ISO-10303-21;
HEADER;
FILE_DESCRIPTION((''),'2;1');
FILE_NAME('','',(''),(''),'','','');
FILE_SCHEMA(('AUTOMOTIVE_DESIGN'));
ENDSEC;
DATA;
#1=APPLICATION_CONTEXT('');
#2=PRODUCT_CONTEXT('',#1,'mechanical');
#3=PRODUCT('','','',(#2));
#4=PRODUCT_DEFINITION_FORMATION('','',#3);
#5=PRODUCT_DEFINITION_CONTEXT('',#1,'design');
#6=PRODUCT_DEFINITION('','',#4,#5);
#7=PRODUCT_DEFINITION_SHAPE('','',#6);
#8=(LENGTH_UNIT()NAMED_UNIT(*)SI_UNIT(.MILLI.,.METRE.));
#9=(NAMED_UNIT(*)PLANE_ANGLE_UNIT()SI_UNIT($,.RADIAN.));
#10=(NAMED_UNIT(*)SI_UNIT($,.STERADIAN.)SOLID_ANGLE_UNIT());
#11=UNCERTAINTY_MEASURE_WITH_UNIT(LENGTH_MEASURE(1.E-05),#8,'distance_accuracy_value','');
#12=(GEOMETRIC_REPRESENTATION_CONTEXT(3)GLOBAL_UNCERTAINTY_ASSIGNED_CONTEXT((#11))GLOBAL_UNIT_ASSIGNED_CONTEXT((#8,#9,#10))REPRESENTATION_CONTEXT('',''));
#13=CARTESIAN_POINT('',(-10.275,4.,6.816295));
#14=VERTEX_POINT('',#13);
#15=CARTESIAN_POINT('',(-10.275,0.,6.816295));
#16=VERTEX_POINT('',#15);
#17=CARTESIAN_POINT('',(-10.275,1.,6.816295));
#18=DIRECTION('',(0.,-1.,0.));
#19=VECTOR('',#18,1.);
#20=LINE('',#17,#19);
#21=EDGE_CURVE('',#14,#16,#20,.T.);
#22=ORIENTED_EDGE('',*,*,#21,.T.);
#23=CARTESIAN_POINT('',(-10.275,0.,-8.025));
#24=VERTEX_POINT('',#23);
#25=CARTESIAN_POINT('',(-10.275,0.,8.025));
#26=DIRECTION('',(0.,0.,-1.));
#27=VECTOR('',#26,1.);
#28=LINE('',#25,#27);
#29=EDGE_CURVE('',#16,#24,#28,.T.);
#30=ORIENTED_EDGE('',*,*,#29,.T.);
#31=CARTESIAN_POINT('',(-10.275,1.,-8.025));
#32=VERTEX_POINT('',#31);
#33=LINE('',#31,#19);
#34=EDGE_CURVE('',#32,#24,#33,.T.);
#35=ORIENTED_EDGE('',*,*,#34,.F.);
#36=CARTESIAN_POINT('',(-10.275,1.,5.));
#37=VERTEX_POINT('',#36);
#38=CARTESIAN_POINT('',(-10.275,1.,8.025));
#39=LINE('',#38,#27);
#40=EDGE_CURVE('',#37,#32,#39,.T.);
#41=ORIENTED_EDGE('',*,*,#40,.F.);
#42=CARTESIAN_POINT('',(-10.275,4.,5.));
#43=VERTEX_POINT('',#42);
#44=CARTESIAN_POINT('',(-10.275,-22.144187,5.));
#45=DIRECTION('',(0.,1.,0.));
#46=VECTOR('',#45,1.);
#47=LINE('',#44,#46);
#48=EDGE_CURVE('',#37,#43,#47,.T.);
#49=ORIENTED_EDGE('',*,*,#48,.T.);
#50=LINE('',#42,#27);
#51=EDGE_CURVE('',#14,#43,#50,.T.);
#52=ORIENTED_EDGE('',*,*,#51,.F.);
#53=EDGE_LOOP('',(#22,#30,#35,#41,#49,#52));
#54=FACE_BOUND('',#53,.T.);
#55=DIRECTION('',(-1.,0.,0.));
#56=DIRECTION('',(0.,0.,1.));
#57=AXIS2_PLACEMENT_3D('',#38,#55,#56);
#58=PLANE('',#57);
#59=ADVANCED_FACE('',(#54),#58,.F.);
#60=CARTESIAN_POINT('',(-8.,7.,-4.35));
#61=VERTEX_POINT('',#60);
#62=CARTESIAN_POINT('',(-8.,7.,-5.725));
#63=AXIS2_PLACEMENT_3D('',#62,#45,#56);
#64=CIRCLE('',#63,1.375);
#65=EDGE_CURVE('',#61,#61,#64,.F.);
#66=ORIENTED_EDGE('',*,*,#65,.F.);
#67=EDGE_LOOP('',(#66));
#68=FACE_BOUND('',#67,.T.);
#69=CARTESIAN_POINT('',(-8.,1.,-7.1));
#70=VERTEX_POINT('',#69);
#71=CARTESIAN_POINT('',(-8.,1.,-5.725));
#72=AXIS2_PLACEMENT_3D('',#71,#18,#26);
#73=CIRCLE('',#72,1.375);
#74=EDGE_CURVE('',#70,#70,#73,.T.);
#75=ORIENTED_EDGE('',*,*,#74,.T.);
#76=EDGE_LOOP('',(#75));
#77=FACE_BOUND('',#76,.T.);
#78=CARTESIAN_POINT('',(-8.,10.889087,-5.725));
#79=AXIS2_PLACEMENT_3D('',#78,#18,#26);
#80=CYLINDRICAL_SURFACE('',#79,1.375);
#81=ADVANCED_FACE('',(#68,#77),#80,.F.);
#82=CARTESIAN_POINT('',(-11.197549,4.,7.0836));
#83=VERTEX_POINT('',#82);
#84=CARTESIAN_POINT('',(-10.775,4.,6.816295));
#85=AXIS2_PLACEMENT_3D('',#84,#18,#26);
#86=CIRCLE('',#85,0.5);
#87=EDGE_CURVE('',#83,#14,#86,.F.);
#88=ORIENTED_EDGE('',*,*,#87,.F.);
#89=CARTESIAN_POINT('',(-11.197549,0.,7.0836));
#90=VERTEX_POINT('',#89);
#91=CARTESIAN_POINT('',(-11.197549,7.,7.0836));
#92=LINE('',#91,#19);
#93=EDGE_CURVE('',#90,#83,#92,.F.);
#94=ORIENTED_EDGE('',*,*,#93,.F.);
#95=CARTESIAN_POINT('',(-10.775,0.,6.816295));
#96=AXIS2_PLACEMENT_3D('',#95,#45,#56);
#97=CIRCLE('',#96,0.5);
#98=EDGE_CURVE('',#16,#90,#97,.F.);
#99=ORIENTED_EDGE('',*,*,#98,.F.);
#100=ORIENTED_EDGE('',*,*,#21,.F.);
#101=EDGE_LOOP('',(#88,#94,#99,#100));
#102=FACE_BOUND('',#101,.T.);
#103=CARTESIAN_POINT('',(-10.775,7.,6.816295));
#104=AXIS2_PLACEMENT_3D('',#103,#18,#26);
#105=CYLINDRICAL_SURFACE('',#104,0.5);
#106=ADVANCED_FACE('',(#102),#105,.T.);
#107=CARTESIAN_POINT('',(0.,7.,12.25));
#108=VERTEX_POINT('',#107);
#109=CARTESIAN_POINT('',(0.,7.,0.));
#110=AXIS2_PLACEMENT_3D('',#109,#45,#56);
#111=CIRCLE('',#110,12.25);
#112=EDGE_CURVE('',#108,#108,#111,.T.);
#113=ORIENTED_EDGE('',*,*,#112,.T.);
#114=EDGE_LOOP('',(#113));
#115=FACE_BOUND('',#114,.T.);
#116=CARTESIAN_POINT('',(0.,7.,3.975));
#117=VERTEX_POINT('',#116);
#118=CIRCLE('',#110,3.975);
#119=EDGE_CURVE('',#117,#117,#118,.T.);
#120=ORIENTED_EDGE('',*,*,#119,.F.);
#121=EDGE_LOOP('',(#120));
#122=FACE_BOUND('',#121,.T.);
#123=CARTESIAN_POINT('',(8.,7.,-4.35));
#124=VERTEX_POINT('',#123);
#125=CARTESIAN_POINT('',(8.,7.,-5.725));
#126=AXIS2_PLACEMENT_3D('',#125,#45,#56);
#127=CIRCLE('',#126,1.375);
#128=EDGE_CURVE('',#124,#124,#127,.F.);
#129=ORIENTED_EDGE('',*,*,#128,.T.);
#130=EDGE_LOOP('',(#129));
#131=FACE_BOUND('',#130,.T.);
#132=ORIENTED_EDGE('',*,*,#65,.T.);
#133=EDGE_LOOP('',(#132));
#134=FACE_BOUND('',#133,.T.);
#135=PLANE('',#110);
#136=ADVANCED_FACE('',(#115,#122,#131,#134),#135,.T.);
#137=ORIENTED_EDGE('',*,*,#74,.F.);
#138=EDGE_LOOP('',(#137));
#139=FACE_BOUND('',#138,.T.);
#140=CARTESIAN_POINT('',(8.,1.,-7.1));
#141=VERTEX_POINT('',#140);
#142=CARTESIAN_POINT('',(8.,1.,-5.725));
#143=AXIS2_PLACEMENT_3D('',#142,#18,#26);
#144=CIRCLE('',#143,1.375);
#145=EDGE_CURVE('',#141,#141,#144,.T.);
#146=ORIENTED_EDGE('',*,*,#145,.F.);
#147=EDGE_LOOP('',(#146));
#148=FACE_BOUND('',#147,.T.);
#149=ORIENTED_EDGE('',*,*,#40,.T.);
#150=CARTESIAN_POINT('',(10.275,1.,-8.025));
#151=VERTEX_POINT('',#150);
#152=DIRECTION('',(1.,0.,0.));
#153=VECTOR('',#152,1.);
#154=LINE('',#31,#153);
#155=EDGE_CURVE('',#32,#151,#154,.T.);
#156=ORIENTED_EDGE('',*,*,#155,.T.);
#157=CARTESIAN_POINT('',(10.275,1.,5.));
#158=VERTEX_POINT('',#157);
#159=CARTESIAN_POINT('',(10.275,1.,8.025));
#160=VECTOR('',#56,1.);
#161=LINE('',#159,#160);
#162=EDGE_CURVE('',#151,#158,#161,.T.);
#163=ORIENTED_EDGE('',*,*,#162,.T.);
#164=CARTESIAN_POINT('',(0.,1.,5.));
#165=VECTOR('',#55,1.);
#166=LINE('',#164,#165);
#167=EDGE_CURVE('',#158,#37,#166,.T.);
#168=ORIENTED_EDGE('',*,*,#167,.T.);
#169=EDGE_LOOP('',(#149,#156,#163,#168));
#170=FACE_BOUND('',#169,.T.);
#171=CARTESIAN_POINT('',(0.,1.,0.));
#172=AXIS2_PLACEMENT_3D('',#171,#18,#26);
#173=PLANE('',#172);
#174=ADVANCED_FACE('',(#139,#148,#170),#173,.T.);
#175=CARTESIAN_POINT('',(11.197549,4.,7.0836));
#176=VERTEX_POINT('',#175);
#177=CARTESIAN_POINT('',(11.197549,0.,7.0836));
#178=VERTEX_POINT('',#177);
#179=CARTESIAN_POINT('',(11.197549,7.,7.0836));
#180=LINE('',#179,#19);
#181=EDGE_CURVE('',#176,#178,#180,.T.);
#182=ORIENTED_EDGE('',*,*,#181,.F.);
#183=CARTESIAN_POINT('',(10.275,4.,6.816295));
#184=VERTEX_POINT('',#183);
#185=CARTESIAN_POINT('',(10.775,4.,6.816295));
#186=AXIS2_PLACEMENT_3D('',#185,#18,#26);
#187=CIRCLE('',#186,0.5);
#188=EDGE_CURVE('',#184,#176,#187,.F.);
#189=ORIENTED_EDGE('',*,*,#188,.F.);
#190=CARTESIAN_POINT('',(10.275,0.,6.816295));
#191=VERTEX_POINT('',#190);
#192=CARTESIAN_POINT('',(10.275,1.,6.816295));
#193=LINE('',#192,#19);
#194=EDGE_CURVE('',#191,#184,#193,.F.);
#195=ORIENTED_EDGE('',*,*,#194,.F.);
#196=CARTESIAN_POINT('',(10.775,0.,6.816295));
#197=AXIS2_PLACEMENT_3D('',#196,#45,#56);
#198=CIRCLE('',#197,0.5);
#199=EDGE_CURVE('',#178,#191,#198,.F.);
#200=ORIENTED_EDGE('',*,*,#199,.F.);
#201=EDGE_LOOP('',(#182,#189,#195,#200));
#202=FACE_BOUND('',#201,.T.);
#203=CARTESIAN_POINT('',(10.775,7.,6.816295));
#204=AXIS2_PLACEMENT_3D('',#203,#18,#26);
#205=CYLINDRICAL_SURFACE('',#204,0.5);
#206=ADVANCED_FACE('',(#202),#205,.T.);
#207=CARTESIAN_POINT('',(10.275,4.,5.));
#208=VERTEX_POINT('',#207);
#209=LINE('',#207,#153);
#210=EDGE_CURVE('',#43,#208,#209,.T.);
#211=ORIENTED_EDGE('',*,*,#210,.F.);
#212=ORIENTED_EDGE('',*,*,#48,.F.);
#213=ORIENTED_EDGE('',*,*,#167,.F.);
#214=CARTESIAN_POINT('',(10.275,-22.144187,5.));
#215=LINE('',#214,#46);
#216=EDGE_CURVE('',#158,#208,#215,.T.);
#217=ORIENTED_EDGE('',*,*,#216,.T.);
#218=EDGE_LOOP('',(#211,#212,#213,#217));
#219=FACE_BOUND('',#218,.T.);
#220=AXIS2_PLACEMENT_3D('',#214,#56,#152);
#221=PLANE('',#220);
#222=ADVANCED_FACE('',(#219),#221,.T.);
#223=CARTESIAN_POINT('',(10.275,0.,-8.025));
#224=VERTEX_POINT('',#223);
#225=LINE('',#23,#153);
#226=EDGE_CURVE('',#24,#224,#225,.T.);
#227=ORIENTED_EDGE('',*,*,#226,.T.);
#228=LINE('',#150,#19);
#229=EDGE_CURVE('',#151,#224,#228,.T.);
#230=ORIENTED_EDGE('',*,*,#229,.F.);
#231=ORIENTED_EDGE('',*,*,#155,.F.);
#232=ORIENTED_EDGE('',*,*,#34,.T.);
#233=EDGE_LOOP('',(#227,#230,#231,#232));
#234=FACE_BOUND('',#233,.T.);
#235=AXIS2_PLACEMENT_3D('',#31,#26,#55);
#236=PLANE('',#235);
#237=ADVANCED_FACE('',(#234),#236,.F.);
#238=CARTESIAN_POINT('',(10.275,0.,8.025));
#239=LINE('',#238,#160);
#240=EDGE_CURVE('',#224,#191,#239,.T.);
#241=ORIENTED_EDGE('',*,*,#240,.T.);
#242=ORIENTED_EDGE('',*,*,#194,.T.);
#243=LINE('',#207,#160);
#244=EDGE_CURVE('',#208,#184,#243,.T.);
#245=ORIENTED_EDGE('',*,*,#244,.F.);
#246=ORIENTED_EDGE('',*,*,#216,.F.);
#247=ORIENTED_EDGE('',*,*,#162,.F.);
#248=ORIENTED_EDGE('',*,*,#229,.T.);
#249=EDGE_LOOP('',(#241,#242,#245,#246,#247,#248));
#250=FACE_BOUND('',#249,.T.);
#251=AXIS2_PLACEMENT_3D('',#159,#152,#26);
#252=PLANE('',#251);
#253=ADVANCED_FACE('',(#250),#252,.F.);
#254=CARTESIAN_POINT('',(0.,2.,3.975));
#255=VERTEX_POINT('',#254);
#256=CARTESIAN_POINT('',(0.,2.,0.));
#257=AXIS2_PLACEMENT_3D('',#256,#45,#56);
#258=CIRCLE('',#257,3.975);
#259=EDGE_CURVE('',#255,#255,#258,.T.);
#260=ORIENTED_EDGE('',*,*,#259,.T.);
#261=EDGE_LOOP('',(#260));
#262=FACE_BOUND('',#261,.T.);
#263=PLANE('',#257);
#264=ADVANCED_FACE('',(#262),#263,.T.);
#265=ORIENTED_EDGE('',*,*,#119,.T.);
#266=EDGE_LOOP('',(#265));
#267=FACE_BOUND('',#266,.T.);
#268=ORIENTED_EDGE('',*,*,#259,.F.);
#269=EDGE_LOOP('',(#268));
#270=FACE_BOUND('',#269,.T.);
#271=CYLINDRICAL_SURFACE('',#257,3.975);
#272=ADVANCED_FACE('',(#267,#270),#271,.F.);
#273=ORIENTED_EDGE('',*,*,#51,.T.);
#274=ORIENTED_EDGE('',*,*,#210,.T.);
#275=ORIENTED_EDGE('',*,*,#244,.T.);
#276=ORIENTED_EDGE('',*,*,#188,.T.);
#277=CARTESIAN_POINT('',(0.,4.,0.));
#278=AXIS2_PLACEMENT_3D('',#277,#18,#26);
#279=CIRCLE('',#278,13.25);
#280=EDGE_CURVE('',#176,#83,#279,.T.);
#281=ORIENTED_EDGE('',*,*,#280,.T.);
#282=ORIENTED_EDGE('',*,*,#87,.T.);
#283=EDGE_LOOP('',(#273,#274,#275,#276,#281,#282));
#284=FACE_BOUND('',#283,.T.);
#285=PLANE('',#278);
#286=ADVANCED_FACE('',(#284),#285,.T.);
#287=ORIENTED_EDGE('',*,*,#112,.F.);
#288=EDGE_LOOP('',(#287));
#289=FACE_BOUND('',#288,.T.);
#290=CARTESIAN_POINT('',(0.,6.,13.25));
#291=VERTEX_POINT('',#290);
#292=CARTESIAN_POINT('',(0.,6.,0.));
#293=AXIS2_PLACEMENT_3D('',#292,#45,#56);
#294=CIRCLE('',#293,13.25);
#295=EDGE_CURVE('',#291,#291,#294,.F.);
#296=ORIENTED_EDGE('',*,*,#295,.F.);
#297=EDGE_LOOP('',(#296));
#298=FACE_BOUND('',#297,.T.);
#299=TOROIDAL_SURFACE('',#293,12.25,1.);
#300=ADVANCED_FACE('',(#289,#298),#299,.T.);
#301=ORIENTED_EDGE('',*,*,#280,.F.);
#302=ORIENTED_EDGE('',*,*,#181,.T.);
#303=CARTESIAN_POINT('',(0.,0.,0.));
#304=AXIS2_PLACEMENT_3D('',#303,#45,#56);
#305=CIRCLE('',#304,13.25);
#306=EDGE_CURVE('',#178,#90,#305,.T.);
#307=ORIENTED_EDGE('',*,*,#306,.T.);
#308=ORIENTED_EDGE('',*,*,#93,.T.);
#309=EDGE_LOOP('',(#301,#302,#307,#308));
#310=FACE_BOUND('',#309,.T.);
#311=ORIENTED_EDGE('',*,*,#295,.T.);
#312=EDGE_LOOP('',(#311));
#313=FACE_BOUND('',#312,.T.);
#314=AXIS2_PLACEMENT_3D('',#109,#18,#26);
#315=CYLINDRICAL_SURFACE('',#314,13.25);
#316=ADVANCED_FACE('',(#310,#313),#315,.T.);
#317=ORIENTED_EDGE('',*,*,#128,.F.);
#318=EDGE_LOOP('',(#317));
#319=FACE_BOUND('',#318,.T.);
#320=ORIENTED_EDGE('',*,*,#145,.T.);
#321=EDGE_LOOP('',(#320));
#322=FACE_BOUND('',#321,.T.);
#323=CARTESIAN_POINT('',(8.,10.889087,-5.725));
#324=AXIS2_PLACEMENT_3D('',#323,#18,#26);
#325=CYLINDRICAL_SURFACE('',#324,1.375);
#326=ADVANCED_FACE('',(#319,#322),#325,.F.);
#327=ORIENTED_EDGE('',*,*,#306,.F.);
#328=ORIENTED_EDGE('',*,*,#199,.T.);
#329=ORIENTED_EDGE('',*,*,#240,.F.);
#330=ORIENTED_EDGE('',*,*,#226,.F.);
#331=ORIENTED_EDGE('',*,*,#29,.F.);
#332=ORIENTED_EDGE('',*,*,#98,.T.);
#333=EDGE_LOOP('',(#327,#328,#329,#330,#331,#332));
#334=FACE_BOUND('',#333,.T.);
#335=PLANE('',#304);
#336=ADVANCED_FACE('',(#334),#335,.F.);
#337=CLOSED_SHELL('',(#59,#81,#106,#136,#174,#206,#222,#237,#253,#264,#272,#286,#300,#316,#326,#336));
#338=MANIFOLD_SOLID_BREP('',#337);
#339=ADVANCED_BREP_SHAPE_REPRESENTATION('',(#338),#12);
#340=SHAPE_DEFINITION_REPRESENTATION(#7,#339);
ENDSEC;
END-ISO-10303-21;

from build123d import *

# Parameters (mm, degrees)
SKETCH2_R               = 13.25
BOSS_EXTRUDE1_DEPTH     = 7
SKETCH3_R               = 3.975
CUT_EXTRUDE1_DEPTH      = 5
SKETCH4_W               = 20.55
SKETCH4_H               = 16.05
CUT_EXTRUDE2_DEPTH      = 1
SKETCH5_R               = 1.375
CUT_EXTRUDE3_DEPTH      = 6
FILLET1_R               = 1
CUT_EXTRUDE5_DEPTH      = 1
CUT_EXTRUDE5_DEPTH_BACK = 3
SKETCH6_W               = 20.55
SKETCH6_H               = 8.25
FILLET2_R               = 0.5


with BuildPart() as part:
    # Sketch2 → Boss-Extrude1 (new body)
    with BuildSketch(Plane(origin=(0, 0, 0), x_dir=(1, 0, 0), z_dir=(0, 1, 0))):
        with Locations(Location((0, 0, 0), (0, 0, 270))):
            Circle(SKETCH2_R)
    extrude(amount=BOSS_EXTRUDE1_DEPTH)

    # Sketch3 → Cut-Extrude1 (cut)
    with BuildSketch(Plane(origin=(0, 7, 0), x_dir=(1, 0, 0), z_dir=(0, 1, 0))):
        with Locations(Location((0, 0, 0), (0, 0, 270))):
            Circle(SKETCH3_R)
    extrude(amount=-CUT_EXTRUDE1_DEPTH, mode=Mode.SUBTRACT)

    # Sketch4 → Cut-Extrude2 (cut)
    with BuildSketch(Plane.XZ):
        Rectangle(SKETCH4_W, SKETCH4_H)
    extrude(amount=-CUT_EXTRUDE2_DEPTH, mode=Mode.SUBTRACT)

    # Sketch5 → Cut-Extrude3 (cut)
    with BuildSketch(Plane.XZ.offset(-1)):
        with Locations(Location((-8, -5.725, 0), (0, 0, 270))):
            Circle(SKETCH5_R)
        with Locations(Location((8, -5.725, 0), (0, 0, 270))):
            Circle(SKETCH5_R)
    extrude(amount=-CUT_EXTRUDE3_DEPTH, mode=Mode.SUBTRACT)

    # Fillet1
    fillet1_edges = [part.edges().sort_by_distance(p)[0] for p in [
        (0, 7, -13.25),
    ]]
    fillet(fillet1_edges, radius=FILLET1_R)

    # Sketch6 → Cut-Extrude5 (cut, two sides: drawn at the far end of the back side and taken through both)
    with BuildSketch(Plane.XZ.offset(-1).offset(-CUT_EXTRUDE5_DEPTH_BACK)):
        with Locations((0, 9.125)):
            Rectangle(SKETCH6_W, SKETCH6_H)
    extrude(amount=CUT_EXTRUDE5_DEPTH + CUT_EXTRUDE5_DEPTH_BACK, mode=Mode.SUBTRACT)

    # Fillet2
    fillet2_edges = [part.edges().sort_by_distance(p)[0] for p in [
        (-10.275, 2, 8.36581586),
        (10.275, 2, 8.36581586),
    ]]
    fillet(fillet2_edges, radius=FILLET2_R)


solid = part.part
